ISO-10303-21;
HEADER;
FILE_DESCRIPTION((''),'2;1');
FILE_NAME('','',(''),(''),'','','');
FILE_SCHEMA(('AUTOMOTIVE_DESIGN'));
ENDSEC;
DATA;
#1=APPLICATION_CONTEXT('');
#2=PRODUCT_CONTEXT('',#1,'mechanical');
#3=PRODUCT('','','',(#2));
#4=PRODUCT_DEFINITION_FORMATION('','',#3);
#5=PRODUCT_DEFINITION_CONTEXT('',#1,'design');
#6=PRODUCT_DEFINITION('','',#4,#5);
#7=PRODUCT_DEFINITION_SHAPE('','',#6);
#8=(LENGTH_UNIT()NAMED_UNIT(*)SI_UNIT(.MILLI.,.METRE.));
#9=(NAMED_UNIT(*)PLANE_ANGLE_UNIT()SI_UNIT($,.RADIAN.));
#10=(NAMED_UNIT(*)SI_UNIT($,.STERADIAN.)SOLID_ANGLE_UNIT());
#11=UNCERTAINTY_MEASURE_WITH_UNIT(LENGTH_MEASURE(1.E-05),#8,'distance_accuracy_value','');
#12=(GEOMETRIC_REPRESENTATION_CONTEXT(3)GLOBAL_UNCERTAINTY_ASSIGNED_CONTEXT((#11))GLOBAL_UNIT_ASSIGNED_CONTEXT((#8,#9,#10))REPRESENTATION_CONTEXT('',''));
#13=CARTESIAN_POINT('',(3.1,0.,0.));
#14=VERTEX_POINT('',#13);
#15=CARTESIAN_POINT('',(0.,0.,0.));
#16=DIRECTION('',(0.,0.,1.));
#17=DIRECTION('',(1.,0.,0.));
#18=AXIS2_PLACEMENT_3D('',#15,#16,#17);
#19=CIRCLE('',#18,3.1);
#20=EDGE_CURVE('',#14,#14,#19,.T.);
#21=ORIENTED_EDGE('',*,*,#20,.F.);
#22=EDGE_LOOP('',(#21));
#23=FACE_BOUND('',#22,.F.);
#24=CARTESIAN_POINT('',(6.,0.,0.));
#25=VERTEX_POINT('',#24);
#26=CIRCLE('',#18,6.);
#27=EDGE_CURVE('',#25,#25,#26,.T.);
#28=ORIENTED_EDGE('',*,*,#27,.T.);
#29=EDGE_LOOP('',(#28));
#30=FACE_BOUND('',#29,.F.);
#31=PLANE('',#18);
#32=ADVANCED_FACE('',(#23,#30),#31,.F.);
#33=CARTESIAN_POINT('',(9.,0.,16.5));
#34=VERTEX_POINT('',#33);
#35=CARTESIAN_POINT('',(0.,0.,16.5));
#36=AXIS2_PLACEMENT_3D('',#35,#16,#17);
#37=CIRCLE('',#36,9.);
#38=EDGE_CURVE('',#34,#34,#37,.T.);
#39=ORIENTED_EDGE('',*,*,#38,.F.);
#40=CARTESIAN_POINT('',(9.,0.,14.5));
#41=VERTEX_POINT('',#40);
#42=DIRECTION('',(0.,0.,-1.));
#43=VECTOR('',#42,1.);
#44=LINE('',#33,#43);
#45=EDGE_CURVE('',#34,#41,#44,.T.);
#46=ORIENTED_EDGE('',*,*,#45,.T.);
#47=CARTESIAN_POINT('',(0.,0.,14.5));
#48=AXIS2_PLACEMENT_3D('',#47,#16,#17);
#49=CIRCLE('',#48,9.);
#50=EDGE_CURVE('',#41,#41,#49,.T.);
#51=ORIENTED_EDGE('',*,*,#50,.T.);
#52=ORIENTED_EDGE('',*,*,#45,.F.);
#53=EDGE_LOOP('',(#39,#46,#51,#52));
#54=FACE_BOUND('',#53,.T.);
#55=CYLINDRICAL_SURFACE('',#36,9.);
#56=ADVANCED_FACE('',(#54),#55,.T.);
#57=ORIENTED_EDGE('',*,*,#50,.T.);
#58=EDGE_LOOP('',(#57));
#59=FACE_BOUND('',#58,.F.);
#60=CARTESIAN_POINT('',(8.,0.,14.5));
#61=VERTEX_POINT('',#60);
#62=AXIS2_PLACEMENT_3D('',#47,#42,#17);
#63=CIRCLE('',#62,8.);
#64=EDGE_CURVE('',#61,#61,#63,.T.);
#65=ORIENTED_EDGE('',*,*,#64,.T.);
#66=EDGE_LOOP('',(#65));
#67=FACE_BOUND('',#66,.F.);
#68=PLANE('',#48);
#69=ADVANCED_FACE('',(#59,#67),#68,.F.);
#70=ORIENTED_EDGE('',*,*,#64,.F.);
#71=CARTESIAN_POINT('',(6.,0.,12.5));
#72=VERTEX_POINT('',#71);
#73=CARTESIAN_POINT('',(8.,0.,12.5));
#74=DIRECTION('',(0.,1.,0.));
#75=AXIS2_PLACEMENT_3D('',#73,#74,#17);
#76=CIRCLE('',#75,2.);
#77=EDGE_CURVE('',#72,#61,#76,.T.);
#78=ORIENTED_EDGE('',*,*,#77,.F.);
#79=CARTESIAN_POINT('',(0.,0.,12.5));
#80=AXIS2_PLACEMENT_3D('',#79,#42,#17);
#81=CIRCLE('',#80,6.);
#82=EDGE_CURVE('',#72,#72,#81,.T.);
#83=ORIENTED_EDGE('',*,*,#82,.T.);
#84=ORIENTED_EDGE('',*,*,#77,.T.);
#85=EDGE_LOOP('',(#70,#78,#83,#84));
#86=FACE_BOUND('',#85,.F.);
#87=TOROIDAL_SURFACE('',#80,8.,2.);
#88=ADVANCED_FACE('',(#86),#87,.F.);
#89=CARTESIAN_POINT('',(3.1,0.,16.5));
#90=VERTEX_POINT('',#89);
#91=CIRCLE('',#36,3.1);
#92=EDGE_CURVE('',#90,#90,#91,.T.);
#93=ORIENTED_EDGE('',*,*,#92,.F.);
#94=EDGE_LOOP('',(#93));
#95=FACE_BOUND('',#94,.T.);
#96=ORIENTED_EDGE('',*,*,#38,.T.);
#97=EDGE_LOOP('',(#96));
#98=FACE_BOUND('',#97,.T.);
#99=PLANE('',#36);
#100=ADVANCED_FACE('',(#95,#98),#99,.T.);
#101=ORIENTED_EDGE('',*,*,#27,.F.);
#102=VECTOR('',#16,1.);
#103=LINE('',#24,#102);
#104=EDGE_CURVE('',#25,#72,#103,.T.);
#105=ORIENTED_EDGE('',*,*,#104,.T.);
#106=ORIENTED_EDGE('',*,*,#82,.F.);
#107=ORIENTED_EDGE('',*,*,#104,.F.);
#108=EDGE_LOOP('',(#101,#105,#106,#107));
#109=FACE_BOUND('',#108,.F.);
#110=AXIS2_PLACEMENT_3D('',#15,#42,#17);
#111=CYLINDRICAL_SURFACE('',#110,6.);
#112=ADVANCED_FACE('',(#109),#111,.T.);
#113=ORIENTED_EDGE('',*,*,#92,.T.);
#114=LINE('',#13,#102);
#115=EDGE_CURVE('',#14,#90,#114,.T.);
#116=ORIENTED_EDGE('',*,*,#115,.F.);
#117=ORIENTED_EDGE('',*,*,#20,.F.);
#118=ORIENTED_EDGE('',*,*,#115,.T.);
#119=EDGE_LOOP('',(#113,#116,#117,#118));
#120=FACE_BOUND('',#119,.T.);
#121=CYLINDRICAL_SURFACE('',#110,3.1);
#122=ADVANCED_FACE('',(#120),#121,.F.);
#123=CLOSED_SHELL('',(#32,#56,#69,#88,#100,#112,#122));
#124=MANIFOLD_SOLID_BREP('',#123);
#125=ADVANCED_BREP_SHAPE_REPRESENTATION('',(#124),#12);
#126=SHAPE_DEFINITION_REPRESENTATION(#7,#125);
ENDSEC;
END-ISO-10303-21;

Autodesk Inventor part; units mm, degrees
sketch "Sketch1" plane through (0, 0, 0) normal (0, 0, 1) x (1, 0, 0)
  line L0 (0, 2.8582) -> (0, -2.8582) construction
  line L1 (-5.7775, 0) -> (5.7775, 0) construction
  circle A0 centre (0, 0) radius 6
  circle A1 centre (0, 0) radius 3.1
  dimension "d0" = 12
  dimension "d1" = 6.2
extrude "Extrusion1" add sketch "Sketch1" along normal blind 16.5
sketch "Sketch2" plane through (0, 0, 16.5) normal (0, 0, 1) x (1, 0, 0)
  circle A0 centre (0, 0) radius 4.5
  circle A1 centre (0, 0) radius 9
  dimension "d4" = 9
  dimension "d5" = 18
extrude "Extrusion2" add sketch "Sketch2" against normal blind 2
fillet "Fillet1" radius 2 1 edges at (-6, 0, 14.5)
properties part number "Hoes" material "S235"
